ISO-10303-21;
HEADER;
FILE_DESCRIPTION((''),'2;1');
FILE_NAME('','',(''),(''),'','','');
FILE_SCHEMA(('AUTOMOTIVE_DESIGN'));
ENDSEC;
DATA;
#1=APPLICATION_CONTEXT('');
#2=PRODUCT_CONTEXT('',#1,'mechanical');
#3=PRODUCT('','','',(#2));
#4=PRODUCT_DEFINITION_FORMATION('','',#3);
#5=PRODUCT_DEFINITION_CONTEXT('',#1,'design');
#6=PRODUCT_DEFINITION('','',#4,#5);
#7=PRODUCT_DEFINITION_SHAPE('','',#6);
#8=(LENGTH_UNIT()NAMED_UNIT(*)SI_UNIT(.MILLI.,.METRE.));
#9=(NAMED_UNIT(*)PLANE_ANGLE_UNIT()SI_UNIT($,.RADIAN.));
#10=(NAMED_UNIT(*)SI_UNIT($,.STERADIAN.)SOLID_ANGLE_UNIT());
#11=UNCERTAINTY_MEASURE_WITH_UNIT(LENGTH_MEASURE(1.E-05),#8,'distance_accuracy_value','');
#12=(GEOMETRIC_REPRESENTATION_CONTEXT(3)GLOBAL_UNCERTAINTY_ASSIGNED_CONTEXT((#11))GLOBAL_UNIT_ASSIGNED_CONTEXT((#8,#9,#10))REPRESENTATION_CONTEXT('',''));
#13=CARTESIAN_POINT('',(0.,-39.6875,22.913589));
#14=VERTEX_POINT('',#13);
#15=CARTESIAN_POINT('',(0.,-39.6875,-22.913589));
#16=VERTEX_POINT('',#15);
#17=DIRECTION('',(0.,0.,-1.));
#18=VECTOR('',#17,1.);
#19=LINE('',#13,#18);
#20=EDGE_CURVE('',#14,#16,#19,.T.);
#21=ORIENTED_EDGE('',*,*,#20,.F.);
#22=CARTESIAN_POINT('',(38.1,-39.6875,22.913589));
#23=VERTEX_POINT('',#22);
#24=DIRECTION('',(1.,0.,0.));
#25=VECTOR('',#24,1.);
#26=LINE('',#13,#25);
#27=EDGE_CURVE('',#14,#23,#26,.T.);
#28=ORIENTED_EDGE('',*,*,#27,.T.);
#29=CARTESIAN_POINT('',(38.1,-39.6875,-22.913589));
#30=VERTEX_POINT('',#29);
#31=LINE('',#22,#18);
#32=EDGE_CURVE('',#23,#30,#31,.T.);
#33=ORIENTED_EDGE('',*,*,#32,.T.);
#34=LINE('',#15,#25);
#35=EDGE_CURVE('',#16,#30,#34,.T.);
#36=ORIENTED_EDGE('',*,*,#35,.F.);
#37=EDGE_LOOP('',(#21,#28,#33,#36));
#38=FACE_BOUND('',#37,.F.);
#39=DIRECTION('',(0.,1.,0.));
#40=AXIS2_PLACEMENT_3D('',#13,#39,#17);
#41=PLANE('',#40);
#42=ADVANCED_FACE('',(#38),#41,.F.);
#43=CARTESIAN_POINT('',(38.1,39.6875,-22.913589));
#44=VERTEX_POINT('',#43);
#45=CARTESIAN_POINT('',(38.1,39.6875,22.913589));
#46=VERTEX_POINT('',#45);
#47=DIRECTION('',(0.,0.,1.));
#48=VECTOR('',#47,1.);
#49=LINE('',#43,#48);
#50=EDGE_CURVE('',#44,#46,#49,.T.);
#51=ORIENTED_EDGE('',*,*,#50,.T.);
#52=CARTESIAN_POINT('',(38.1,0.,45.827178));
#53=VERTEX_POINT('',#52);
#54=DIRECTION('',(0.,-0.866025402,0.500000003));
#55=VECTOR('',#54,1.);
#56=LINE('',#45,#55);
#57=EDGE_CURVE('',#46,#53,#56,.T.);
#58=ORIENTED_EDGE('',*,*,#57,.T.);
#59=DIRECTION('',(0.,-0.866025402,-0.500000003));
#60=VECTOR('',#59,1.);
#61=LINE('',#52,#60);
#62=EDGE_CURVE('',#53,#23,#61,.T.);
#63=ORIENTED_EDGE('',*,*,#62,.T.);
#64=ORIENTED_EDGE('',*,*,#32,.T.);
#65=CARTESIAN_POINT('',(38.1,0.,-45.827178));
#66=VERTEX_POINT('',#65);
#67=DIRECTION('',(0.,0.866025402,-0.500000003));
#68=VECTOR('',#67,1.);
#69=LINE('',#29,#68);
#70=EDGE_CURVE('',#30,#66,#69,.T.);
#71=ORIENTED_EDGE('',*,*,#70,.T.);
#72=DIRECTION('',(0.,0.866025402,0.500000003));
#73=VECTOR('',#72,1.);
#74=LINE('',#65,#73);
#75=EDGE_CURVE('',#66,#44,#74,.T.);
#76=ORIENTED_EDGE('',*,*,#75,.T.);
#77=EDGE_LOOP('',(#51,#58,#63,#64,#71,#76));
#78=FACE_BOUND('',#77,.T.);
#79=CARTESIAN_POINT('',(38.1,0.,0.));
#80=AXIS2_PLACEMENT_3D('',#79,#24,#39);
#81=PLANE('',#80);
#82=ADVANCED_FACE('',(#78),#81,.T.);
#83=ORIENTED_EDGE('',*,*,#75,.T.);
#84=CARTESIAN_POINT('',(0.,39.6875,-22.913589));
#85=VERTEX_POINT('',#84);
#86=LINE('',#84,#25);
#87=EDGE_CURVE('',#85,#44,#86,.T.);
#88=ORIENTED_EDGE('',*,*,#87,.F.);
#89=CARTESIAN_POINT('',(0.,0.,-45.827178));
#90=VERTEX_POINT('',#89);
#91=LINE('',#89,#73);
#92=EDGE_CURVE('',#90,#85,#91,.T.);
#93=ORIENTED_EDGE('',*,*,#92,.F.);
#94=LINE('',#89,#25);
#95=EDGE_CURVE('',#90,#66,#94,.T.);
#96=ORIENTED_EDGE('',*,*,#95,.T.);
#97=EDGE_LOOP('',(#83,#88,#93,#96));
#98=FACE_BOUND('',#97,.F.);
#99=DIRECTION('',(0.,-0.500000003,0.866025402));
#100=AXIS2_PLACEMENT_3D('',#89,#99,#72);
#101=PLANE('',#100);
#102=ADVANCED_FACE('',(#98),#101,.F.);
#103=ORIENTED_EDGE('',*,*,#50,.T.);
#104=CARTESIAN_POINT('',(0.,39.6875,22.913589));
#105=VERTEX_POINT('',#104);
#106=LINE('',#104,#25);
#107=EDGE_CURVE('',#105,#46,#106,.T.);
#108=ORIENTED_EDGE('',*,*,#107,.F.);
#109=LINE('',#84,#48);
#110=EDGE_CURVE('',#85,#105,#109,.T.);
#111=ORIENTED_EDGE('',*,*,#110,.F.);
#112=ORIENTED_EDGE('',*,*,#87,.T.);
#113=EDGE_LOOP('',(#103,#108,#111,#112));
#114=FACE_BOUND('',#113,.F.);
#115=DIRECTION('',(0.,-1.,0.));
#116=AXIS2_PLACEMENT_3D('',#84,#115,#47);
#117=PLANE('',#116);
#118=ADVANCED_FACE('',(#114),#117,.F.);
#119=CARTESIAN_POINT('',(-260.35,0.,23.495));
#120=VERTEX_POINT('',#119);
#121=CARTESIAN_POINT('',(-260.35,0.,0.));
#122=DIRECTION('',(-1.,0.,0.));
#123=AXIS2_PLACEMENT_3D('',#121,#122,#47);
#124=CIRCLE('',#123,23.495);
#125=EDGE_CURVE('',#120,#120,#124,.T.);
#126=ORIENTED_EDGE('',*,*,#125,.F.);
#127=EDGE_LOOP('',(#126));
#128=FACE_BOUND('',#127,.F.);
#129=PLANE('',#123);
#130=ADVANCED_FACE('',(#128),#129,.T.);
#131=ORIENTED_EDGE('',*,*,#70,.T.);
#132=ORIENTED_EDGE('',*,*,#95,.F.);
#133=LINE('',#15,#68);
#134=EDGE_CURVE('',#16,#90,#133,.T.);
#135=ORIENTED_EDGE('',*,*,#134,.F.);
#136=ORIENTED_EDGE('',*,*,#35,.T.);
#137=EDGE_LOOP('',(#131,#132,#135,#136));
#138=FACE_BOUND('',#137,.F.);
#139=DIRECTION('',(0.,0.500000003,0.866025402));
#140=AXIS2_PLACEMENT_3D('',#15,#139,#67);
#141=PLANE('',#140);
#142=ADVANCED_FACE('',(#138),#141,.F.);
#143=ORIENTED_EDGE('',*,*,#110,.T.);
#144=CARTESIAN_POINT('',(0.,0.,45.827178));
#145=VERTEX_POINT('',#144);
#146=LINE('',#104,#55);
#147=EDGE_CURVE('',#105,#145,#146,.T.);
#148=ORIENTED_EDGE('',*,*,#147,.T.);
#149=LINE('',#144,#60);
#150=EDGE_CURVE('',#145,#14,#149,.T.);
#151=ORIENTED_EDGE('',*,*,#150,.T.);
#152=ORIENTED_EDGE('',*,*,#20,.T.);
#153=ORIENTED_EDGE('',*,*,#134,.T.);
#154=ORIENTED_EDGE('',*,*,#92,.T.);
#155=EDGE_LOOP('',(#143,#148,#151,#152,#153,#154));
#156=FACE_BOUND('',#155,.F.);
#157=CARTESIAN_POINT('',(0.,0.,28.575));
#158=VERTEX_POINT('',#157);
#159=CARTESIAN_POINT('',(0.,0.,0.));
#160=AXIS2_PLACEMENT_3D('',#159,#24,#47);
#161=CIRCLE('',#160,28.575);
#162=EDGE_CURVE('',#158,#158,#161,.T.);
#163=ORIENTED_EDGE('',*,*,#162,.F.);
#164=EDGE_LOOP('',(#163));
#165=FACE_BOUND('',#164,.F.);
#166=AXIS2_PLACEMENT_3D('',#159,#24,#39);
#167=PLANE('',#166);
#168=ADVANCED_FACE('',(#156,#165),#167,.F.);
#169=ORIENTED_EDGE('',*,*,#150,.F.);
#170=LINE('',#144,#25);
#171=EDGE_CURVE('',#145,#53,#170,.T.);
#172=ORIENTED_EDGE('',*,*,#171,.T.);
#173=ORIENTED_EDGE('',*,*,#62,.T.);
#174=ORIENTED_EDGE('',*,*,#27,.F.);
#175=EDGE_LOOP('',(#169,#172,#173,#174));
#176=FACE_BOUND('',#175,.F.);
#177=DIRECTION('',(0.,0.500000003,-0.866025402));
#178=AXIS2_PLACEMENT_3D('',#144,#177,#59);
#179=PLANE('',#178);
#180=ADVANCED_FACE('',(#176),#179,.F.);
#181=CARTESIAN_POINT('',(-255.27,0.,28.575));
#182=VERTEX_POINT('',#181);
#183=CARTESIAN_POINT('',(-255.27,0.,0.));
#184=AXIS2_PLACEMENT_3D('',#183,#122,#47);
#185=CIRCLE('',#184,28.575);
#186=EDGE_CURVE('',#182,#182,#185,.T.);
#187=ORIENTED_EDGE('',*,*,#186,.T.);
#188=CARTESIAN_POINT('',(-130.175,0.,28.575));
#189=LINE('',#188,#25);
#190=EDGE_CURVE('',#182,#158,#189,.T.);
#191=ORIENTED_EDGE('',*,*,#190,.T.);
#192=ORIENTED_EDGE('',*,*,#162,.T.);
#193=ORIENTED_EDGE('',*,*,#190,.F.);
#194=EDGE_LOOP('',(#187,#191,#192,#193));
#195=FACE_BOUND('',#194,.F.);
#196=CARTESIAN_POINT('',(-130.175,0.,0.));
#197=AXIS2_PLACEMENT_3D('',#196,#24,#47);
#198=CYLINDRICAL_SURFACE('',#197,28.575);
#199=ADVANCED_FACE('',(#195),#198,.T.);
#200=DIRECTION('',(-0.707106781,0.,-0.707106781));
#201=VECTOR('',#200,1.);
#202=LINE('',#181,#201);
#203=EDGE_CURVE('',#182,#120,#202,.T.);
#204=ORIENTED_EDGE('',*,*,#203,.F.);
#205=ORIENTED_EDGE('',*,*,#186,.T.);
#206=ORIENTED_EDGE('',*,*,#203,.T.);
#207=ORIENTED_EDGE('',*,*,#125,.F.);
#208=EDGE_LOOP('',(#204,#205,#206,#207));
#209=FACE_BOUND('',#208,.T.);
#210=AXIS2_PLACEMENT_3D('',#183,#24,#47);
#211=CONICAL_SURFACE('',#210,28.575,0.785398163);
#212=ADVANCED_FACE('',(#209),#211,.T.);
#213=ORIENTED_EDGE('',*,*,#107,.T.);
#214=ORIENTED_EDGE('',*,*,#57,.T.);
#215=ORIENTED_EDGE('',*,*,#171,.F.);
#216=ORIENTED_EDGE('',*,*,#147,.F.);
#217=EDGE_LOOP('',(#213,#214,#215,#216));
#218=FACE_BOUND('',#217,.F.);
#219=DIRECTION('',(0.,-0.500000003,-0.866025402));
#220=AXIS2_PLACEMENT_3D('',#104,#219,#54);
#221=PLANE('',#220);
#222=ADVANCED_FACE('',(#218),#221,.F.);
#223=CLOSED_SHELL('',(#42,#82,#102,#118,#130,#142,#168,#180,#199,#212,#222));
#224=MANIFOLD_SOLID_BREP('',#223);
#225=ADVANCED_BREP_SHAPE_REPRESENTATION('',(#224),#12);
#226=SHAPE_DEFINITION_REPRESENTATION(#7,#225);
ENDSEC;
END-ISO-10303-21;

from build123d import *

# Parameters (mm, degrees)
F0_W      = 260.35
F0_H      = 28.575
F1_FACE_R = 28.575
F3_DEPTH  = 38.1
F4_SIZE   = 5.08


with BuildPart() as f1:
    # F0 (on Front) → F1 (revolve)
    with BuildSketch(Plane.XZ):
        with Locations((-130.175, 14.2875)):
            Rectangle(F0_W, F0_H)
    revolve(axis=Axis((-130.175, 0, 0), (-1, 0, 0)))

    # F2 (on Right) + F1_face (on face) → F3 (join)
    with BuildSketch(Plane.YZ):
        Polygon((-39.6875, -22.913589), (0, -45.827178), (39.6875, -22.913589), (39.6875, 22.913589), (0, 45.827178), (-39.6875, 22.913589), align=None)
    with BuildSketch(Plane.YZ):
        Circle(F1_FACE_R)
    extrude(amount=F3_DEPTH)

    # F4
    f4_edges = [f1.edges().sort_by_distance(p)[0] for p in [
        (-260.35, 0, -28.575),
    ]]
    chamfer(f4_edges, length=F4_SIZE)


solid = f1.part
